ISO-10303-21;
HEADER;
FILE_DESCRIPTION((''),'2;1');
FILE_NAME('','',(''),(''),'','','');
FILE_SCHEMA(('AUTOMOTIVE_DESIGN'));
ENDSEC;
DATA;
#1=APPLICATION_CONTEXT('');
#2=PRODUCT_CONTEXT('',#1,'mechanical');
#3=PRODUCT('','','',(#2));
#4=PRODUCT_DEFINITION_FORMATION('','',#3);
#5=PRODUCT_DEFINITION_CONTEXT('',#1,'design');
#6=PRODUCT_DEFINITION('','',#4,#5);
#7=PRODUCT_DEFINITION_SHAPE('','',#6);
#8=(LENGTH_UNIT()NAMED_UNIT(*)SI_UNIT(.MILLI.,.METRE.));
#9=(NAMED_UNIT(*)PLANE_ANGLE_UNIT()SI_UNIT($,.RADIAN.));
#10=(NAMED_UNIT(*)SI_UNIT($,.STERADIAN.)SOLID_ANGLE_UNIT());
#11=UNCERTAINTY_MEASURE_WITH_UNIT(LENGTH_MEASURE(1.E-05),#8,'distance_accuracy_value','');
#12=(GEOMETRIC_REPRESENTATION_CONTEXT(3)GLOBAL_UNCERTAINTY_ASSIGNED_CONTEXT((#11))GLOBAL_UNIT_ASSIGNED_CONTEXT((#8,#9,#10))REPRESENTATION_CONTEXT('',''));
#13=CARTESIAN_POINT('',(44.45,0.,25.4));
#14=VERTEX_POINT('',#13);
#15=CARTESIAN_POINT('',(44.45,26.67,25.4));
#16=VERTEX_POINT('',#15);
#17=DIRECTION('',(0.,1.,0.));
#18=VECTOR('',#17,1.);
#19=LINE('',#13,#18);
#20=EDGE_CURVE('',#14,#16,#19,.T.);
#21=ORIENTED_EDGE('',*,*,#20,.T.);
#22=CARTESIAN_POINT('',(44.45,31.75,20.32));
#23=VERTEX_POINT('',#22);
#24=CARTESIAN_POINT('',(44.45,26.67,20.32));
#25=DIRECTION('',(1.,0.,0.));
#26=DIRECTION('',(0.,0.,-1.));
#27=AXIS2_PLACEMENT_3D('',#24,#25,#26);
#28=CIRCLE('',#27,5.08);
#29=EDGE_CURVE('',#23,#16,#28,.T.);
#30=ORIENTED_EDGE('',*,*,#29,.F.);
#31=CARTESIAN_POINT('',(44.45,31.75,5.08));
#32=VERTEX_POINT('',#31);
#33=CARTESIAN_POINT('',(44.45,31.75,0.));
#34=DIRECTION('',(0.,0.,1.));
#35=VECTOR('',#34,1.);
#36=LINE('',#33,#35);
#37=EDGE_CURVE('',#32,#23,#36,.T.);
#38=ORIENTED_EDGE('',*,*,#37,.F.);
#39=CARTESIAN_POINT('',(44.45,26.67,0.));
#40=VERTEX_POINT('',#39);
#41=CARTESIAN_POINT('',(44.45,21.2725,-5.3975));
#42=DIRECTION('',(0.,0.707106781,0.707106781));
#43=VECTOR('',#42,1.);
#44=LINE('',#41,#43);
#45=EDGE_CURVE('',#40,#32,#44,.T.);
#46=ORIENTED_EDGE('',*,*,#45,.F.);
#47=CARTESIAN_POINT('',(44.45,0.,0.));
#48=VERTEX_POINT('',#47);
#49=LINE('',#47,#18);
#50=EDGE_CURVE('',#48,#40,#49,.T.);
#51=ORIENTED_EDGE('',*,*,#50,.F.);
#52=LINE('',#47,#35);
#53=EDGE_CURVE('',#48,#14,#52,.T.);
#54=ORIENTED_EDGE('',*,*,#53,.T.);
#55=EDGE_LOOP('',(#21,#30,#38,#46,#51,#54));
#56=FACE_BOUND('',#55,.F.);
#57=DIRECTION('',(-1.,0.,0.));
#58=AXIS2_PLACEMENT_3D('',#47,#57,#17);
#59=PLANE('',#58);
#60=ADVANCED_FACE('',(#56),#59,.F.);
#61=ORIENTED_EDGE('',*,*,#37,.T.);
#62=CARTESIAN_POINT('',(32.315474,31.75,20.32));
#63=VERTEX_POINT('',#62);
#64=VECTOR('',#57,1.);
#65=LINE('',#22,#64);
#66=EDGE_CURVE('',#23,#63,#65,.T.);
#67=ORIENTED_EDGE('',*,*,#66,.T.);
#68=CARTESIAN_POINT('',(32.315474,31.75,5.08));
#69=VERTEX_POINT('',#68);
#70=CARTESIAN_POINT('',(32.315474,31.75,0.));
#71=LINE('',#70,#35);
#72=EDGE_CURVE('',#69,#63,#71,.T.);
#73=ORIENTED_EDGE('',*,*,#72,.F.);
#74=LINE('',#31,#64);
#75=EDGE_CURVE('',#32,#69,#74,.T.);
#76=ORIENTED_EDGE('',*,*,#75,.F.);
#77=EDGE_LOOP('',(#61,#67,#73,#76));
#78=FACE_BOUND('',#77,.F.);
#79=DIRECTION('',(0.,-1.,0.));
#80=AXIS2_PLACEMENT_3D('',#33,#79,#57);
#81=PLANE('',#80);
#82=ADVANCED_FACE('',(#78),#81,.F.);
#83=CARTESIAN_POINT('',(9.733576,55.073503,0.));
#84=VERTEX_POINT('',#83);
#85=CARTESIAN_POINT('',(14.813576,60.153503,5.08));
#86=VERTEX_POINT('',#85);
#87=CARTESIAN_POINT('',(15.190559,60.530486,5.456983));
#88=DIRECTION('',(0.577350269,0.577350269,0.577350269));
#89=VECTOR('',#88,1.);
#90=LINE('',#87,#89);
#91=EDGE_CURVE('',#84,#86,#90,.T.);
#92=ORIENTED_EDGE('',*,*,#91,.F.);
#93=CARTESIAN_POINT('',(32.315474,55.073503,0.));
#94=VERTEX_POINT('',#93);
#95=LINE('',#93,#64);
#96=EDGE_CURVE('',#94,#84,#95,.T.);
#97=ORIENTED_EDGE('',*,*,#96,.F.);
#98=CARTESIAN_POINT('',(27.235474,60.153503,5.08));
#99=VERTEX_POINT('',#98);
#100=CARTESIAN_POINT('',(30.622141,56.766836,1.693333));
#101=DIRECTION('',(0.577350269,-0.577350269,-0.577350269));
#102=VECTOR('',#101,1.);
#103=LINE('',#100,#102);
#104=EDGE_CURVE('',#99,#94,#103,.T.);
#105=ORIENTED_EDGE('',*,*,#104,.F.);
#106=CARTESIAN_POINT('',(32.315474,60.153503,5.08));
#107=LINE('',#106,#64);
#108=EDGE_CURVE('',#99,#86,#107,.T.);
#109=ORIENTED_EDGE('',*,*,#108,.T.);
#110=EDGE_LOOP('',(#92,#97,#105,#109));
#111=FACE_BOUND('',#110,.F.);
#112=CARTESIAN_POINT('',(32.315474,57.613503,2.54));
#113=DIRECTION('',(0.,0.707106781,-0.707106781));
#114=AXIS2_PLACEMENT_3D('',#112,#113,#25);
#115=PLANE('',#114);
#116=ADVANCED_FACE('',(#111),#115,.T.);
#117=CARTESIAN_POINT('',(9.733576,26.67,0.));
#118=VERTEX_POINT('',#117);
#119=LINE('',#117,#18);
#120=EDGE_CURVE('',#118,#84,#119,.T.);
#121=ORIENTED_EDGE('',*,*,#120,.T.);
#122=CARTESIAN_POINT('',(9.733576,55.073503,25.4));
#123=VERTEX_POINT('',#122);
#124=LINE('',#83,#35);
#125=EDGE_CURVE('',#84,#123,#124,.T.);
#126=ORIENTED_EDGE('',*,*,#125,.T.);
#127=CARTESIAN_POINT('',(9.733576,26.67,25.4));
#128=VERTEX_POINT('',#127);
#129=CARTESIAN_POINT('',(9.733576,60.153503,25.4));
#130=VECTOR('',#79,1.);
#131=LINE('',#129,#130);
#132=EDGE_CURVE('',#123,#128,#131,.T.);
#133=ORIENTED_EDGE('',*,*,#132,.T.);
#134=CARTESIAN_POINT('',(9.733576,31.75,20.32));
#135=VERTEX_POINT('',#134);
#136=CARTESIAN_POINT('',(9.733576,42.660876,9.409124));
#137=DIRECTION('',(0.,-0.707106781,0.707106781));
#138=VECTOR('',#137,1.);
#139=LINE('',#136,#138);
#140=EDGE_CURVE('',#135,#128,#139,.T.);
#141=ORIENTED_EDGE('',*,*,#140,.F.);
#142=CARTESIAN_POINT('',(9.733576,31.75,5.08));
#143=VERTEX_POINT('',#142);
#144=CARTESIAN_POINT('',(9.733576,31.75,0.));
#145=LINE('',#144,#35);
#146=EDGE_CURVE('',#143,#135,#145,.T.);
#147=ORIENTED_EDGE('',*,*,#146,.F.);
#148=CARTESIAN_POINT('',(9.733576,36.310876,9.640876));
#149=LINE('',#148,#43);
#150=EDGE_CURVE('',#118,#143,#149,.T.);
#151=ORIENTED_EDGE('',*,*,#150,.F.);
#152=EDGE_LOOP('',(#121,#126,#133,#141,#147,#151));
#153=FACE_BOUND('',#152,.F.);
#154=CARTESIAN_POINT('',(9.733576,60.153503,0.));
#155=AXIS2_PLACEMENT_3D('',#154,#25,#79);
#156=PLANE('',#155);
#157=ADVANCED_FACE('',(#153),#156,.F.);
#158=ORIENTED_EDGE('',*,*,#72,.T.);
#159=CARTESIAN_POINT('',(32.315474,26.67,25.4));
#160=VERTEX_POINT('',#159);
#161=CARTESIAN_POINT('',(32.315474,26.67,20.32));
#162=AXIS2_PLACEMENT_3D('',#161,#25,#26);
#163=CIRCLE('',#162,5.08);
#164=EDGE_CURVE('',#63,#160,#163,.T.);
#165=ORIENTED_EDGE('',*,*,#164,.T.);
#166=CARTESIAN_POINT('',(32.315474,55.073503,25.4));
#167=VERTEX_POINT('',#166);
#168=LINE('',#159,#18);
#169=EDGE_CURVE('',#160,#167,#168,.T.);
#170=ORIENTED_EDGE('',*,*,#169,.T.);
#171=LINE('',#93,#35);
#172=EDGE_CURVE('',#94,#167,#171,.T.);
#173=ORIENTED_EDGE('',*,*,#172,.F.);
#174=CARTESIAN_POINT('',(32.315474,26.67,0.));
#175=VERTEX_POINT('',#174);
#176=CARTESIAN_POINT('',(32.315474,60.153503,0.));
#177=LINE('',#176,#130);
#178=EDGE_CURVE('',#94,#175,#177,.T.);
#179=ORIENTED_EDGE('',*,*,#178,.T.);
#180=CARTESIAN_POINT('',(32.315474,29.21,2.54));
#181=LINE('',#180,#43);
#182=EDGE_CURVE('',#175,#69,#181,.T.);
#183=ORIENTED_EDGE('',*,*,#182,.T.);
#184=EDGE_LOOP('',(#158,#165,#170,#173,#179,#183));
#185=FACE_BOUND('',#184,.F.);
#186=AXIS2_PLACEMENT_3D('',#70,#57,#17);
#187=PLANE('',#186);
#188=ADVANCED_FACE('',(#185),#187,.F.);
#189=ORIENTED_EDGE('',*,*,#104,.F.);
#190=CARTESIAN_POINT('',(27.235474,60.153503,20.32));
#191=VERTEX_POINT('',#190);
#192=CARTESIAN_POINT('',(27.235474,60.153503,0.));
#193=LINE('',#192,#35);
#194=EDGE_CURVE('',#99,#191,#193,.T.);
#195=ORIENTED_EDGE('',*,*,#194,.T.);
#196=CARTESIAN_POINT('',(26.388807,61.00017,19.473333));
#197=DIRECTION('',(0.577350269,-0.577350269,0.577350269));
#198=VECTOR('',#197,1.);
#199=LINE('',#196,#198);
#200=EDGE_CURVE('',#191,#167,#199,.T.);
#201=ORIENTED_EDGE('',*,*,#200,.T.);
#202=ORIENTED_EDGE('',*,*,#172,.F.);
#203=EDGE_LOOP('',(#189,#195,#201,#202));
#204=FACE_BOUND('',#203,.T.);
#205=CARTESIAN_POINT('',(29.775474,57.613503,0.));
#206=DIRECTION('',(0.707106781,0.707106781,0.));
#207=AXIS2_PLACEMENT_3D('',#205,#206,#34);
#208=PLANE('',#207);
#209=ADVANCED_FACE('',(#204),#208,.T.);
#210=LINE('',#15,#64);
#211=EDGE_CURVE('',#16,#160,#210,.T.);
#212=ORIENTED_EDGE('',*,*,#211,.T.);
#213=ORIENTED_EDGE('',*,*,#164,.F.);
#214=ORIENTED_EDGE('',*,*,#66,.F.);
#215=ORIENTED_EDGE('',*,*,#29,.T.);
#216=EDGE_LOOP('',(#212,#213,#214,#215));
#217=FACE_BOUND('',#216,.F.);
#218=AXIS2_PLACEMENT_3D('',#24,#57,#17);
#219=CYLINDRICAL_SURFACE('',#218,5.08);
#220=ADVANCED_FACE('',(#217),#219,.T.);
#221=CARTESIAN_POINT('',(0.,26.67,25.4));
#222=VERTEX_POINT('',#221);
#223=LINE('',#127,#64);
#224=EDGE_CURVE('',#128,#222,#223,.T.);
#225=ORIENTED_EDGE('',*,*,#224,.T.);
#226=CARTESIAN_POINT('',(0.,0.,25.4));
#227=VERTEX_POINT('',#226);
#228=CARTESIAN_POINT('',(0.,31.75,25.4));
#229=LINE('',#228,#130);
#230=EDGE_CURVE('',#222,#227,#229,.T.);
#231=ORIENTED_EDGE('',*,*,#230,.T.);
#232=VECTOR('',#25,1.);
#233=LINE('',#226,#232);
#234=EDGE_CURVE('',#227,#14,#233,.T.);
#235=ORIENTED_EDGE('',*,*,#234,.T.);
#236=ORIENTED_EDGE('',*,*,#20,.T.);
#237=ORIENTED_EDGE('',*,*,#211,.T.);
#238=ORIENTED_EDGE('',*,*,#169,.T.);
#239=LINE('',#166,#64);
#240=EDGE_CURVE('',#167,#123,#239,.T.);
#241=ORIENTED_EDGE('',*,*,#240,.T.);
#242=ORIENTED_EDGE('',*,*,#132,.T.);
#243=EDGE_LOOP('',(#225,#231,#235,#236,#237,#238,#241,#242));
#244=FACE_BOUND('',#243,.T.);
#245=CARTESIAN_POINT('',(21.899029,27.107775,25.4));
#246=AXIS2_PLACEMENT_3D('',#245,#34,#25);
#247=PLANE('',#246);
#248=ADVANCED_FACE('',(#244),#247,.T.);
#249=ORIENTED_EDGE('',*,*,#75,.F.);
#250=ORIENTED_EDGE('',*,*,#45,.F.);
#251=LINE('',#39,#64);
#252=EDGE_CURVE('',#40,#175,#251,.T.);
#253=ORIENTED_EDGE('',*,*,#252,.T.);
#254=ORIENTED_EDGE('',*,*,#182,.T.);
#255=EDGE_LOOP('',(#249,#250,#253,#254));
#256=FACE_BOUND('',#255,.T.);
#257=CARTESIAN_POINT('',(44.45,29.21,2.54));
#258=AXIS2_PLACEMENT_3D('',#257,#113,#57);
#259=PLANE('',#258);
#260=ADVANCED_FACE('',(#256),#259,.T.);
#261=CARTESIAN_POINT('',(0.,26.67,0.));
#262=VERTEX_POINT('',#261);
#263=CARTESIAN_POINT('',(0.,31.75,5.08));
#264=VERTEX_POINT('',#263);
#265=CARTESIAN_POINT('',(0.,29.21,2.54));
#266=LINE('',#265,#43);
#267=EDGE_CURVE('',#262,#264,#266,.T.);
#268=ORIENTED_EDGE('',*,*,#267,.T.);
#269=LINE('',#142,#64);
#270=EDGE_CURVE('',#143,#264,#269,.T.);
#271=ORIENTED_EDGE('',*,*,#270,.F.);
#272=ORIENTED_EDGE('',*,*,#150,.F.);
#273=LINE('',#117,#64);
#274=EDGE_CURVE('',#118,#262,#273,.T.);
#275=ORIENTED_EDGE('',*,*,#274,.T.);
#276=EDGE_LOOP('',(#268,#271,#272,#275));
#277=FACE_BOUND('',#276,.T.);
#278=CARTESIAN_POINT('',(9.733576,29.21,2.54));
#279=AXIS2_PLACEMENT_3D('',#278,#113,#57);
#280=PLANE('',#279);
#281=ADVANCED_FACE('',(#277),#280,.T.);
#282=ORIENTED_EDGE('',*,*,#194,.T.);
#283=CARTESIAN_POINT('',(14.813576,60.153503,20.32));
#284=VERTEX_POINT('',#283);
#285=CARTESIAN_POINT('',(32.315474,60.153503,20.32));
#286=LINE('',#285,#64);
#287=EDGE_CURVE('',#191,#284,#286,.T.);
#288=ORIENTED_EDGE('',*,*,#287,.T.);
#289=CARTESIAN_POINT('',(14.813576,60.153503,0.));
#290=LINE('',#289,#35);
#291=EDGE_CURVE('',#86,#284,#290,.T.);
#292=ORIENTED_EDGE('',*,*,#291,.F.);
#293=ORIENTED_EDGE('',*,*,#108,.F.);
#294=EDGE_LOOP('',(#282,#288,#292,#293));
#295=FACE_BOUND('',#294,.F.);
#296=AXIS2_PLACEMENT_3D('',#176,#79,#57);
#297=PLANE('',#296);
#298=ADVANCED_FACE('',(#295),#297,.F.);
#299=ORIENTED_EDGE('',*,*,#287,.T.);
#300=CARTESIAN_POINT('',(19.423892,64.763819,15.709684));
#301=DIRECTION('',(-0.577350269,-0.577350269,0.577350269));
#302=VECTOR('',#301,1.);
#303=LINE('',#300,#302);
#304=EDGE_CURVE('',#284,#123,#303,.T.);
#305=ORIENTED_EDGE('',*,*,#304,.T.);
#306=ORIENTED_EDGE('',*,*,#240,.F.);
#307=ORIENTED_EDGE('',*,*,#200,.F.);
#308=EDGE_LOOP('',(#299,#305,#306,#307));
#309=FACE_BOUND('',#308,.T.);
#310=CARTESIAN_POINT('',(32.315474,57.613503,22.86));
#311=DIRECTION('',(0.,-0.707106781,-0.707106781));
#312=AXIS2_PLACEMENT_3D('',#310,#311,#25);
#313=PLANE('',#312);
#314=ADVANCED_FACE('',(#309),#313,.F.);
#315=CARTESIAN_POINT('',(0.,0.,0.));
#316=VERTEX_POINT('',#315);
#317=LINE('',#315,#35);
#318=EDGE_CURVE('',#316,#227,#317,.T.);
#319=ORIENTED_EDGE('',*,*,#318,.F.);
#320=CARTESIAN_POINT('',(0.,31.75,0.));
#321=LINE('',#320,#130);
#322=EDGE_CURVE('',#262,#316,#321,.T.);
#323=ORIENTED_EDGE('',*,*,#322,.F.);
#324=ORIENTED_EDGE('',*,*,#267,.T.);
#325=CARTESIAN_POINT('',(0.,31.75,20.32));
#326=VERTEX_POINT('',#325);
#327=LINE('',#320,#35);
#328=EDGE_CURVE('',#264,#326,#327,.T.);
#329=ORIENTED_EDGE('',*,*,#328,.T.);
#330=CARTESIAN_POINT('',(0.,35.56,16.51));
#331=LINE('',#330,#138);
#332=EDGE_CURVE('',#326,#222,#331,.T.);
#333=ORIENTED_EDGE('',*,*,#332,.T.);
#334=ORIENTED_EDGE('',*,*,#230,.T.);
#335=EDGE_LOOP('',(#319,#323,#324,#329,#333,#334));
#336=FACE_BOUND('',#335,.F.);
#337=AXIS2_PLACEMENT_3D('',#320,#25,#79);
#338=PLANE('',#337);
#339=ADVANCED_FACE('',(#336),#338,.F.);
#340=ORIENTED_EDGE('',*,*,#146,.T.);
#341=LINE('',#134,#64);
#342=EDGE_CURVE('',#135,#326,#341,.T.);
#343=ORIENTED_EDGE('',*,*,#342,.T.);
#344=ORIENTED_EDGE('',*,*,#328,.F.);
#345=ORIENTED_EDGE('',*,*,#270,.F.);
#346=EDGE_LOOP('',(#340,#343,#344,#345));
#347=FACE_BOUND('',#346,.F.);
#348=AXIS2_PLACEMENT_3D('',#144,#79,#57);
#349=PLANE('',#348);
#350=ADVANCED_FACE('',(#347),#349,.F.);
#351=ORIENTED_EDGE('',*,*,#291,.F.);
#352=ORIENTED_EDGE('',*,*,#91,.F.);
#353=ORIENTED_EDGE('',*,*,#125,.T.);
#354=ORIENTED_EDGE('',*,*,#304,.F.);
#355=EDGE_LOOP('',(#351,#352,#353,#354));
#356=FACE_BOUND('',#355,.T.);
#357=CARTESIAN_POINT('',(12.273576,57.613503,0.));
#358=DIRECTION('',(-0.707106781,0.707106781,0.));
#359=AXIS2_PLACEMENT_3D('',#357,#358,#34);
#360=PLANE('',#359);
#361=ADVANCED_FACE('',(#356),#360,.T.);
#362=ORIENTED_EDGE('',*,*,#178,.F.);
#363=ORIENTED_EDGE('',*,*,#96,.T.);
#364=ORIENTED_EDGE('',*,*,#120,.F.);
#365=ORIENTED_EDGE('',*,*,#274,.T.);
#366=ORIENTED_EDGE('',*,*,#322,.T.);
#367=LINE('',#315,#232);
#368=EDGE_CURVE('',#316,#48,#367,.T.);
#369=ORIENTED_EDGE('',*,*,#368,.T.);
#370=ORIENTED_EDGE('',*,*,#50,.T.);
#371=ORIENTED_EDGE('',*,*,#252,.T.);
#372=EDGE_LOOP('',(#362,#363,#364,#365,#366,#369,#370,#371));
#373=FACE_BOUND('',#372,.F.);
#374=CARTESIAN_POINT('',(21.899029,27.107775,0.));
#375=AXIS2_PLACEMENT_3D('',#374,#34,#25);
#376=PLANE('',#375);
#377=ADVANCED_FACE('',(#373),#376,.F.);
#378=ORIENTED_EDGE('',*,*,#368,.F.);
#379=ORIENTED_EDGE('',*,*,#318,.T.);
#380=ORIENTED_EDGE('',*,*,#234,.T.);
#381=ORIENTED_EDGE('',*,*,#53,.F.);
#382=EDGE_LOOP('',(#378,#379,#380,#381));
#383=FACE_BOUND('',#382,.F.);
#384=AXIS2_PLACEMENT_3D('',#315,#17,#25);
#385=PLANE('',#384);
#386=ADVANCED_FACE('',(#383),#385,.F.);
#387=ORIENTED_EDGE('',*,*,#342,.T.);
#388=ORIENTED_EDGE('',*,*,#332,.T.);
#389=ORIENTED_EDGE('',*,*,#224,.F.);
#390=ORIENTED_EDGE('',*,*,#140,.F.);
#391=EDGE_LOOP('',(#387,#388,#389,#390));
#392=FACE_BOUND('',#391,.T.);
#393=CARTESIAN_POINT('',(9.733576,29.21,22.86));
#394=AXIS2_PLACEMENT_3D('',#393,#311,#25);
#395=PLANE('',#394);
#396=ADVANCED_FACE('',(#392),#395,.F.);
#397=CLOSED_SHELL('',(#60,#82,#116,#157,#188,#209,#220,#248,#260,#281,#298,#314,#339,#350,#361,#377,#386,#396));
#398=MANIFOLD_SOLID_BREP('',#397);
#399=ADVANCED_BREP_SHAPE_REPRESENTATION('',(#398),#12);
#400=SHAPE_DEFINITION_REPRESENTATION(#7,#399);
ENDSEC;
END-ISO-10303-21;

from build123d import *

# Parameters (mm, degrees)
F1_DEPTH = 25.4
F2_SIZE  = 5.08
F3_SIZE  = 5.08
F4_R     = 5.08
F5_SIZE  = 5.08
F6_SIZE  = 5.08


with BuildPart() as f1:
    # F0 (on Top) → F1 (new body)
    with BuildSketch(Plane.XY):
        Polygon((0, 31.75), (0, 0), (44.45, 0), (44.45, 31.75), (32.315474, 31.75), (32.315474, 60.153503), (21.024525, 60.153503), (9.733576, 60.153503), (9.733576, 31.75), align=None)
    extrude(amount=F1_DEPTH)

    # F2
    f2_edges = [f1.edges().sort_by_distance(p)[0] for p in [
        (4.866788, 31.75, 25.4),
    ]]
    chamfer(f2_edges, length=F2_SIZE)

    # F3
    f3_edges = [f1.edges().sort_by_distance(p)[0] for p in [
        (4.866788, 31.75, 0),
    ]]
    chamfer(f3_edges, length=F3_SIZE)

    # F4
    f4_edges = [f1.edges().sort_by_distance(p)[0] for p in [
        (38.382737, 31.75, 25.4),
    ]]
    fillet(f4_edges, radius=F4_R)

    # F5
    f5_edges = [f1.edges().sort_by_distance(p)[0] for p in [
        (38.382737, 31.75, 0),
    ]]
    chamfer(f5_edges, length=F5_SIZE)

    # F6
    f6_edges = [f1.edges().sort_by_distance(p)[0] for p in [
        (32.315474, 60.153503, 12.7),
        (21.024525, 60.153503, 25.4),
        (9.733576, 60.153503, 12.7),
        (21.024525, 60.153503, 0),
    ]]
    chamfer(f6_edges, length=F6_SIZE)


solid = f1.part
